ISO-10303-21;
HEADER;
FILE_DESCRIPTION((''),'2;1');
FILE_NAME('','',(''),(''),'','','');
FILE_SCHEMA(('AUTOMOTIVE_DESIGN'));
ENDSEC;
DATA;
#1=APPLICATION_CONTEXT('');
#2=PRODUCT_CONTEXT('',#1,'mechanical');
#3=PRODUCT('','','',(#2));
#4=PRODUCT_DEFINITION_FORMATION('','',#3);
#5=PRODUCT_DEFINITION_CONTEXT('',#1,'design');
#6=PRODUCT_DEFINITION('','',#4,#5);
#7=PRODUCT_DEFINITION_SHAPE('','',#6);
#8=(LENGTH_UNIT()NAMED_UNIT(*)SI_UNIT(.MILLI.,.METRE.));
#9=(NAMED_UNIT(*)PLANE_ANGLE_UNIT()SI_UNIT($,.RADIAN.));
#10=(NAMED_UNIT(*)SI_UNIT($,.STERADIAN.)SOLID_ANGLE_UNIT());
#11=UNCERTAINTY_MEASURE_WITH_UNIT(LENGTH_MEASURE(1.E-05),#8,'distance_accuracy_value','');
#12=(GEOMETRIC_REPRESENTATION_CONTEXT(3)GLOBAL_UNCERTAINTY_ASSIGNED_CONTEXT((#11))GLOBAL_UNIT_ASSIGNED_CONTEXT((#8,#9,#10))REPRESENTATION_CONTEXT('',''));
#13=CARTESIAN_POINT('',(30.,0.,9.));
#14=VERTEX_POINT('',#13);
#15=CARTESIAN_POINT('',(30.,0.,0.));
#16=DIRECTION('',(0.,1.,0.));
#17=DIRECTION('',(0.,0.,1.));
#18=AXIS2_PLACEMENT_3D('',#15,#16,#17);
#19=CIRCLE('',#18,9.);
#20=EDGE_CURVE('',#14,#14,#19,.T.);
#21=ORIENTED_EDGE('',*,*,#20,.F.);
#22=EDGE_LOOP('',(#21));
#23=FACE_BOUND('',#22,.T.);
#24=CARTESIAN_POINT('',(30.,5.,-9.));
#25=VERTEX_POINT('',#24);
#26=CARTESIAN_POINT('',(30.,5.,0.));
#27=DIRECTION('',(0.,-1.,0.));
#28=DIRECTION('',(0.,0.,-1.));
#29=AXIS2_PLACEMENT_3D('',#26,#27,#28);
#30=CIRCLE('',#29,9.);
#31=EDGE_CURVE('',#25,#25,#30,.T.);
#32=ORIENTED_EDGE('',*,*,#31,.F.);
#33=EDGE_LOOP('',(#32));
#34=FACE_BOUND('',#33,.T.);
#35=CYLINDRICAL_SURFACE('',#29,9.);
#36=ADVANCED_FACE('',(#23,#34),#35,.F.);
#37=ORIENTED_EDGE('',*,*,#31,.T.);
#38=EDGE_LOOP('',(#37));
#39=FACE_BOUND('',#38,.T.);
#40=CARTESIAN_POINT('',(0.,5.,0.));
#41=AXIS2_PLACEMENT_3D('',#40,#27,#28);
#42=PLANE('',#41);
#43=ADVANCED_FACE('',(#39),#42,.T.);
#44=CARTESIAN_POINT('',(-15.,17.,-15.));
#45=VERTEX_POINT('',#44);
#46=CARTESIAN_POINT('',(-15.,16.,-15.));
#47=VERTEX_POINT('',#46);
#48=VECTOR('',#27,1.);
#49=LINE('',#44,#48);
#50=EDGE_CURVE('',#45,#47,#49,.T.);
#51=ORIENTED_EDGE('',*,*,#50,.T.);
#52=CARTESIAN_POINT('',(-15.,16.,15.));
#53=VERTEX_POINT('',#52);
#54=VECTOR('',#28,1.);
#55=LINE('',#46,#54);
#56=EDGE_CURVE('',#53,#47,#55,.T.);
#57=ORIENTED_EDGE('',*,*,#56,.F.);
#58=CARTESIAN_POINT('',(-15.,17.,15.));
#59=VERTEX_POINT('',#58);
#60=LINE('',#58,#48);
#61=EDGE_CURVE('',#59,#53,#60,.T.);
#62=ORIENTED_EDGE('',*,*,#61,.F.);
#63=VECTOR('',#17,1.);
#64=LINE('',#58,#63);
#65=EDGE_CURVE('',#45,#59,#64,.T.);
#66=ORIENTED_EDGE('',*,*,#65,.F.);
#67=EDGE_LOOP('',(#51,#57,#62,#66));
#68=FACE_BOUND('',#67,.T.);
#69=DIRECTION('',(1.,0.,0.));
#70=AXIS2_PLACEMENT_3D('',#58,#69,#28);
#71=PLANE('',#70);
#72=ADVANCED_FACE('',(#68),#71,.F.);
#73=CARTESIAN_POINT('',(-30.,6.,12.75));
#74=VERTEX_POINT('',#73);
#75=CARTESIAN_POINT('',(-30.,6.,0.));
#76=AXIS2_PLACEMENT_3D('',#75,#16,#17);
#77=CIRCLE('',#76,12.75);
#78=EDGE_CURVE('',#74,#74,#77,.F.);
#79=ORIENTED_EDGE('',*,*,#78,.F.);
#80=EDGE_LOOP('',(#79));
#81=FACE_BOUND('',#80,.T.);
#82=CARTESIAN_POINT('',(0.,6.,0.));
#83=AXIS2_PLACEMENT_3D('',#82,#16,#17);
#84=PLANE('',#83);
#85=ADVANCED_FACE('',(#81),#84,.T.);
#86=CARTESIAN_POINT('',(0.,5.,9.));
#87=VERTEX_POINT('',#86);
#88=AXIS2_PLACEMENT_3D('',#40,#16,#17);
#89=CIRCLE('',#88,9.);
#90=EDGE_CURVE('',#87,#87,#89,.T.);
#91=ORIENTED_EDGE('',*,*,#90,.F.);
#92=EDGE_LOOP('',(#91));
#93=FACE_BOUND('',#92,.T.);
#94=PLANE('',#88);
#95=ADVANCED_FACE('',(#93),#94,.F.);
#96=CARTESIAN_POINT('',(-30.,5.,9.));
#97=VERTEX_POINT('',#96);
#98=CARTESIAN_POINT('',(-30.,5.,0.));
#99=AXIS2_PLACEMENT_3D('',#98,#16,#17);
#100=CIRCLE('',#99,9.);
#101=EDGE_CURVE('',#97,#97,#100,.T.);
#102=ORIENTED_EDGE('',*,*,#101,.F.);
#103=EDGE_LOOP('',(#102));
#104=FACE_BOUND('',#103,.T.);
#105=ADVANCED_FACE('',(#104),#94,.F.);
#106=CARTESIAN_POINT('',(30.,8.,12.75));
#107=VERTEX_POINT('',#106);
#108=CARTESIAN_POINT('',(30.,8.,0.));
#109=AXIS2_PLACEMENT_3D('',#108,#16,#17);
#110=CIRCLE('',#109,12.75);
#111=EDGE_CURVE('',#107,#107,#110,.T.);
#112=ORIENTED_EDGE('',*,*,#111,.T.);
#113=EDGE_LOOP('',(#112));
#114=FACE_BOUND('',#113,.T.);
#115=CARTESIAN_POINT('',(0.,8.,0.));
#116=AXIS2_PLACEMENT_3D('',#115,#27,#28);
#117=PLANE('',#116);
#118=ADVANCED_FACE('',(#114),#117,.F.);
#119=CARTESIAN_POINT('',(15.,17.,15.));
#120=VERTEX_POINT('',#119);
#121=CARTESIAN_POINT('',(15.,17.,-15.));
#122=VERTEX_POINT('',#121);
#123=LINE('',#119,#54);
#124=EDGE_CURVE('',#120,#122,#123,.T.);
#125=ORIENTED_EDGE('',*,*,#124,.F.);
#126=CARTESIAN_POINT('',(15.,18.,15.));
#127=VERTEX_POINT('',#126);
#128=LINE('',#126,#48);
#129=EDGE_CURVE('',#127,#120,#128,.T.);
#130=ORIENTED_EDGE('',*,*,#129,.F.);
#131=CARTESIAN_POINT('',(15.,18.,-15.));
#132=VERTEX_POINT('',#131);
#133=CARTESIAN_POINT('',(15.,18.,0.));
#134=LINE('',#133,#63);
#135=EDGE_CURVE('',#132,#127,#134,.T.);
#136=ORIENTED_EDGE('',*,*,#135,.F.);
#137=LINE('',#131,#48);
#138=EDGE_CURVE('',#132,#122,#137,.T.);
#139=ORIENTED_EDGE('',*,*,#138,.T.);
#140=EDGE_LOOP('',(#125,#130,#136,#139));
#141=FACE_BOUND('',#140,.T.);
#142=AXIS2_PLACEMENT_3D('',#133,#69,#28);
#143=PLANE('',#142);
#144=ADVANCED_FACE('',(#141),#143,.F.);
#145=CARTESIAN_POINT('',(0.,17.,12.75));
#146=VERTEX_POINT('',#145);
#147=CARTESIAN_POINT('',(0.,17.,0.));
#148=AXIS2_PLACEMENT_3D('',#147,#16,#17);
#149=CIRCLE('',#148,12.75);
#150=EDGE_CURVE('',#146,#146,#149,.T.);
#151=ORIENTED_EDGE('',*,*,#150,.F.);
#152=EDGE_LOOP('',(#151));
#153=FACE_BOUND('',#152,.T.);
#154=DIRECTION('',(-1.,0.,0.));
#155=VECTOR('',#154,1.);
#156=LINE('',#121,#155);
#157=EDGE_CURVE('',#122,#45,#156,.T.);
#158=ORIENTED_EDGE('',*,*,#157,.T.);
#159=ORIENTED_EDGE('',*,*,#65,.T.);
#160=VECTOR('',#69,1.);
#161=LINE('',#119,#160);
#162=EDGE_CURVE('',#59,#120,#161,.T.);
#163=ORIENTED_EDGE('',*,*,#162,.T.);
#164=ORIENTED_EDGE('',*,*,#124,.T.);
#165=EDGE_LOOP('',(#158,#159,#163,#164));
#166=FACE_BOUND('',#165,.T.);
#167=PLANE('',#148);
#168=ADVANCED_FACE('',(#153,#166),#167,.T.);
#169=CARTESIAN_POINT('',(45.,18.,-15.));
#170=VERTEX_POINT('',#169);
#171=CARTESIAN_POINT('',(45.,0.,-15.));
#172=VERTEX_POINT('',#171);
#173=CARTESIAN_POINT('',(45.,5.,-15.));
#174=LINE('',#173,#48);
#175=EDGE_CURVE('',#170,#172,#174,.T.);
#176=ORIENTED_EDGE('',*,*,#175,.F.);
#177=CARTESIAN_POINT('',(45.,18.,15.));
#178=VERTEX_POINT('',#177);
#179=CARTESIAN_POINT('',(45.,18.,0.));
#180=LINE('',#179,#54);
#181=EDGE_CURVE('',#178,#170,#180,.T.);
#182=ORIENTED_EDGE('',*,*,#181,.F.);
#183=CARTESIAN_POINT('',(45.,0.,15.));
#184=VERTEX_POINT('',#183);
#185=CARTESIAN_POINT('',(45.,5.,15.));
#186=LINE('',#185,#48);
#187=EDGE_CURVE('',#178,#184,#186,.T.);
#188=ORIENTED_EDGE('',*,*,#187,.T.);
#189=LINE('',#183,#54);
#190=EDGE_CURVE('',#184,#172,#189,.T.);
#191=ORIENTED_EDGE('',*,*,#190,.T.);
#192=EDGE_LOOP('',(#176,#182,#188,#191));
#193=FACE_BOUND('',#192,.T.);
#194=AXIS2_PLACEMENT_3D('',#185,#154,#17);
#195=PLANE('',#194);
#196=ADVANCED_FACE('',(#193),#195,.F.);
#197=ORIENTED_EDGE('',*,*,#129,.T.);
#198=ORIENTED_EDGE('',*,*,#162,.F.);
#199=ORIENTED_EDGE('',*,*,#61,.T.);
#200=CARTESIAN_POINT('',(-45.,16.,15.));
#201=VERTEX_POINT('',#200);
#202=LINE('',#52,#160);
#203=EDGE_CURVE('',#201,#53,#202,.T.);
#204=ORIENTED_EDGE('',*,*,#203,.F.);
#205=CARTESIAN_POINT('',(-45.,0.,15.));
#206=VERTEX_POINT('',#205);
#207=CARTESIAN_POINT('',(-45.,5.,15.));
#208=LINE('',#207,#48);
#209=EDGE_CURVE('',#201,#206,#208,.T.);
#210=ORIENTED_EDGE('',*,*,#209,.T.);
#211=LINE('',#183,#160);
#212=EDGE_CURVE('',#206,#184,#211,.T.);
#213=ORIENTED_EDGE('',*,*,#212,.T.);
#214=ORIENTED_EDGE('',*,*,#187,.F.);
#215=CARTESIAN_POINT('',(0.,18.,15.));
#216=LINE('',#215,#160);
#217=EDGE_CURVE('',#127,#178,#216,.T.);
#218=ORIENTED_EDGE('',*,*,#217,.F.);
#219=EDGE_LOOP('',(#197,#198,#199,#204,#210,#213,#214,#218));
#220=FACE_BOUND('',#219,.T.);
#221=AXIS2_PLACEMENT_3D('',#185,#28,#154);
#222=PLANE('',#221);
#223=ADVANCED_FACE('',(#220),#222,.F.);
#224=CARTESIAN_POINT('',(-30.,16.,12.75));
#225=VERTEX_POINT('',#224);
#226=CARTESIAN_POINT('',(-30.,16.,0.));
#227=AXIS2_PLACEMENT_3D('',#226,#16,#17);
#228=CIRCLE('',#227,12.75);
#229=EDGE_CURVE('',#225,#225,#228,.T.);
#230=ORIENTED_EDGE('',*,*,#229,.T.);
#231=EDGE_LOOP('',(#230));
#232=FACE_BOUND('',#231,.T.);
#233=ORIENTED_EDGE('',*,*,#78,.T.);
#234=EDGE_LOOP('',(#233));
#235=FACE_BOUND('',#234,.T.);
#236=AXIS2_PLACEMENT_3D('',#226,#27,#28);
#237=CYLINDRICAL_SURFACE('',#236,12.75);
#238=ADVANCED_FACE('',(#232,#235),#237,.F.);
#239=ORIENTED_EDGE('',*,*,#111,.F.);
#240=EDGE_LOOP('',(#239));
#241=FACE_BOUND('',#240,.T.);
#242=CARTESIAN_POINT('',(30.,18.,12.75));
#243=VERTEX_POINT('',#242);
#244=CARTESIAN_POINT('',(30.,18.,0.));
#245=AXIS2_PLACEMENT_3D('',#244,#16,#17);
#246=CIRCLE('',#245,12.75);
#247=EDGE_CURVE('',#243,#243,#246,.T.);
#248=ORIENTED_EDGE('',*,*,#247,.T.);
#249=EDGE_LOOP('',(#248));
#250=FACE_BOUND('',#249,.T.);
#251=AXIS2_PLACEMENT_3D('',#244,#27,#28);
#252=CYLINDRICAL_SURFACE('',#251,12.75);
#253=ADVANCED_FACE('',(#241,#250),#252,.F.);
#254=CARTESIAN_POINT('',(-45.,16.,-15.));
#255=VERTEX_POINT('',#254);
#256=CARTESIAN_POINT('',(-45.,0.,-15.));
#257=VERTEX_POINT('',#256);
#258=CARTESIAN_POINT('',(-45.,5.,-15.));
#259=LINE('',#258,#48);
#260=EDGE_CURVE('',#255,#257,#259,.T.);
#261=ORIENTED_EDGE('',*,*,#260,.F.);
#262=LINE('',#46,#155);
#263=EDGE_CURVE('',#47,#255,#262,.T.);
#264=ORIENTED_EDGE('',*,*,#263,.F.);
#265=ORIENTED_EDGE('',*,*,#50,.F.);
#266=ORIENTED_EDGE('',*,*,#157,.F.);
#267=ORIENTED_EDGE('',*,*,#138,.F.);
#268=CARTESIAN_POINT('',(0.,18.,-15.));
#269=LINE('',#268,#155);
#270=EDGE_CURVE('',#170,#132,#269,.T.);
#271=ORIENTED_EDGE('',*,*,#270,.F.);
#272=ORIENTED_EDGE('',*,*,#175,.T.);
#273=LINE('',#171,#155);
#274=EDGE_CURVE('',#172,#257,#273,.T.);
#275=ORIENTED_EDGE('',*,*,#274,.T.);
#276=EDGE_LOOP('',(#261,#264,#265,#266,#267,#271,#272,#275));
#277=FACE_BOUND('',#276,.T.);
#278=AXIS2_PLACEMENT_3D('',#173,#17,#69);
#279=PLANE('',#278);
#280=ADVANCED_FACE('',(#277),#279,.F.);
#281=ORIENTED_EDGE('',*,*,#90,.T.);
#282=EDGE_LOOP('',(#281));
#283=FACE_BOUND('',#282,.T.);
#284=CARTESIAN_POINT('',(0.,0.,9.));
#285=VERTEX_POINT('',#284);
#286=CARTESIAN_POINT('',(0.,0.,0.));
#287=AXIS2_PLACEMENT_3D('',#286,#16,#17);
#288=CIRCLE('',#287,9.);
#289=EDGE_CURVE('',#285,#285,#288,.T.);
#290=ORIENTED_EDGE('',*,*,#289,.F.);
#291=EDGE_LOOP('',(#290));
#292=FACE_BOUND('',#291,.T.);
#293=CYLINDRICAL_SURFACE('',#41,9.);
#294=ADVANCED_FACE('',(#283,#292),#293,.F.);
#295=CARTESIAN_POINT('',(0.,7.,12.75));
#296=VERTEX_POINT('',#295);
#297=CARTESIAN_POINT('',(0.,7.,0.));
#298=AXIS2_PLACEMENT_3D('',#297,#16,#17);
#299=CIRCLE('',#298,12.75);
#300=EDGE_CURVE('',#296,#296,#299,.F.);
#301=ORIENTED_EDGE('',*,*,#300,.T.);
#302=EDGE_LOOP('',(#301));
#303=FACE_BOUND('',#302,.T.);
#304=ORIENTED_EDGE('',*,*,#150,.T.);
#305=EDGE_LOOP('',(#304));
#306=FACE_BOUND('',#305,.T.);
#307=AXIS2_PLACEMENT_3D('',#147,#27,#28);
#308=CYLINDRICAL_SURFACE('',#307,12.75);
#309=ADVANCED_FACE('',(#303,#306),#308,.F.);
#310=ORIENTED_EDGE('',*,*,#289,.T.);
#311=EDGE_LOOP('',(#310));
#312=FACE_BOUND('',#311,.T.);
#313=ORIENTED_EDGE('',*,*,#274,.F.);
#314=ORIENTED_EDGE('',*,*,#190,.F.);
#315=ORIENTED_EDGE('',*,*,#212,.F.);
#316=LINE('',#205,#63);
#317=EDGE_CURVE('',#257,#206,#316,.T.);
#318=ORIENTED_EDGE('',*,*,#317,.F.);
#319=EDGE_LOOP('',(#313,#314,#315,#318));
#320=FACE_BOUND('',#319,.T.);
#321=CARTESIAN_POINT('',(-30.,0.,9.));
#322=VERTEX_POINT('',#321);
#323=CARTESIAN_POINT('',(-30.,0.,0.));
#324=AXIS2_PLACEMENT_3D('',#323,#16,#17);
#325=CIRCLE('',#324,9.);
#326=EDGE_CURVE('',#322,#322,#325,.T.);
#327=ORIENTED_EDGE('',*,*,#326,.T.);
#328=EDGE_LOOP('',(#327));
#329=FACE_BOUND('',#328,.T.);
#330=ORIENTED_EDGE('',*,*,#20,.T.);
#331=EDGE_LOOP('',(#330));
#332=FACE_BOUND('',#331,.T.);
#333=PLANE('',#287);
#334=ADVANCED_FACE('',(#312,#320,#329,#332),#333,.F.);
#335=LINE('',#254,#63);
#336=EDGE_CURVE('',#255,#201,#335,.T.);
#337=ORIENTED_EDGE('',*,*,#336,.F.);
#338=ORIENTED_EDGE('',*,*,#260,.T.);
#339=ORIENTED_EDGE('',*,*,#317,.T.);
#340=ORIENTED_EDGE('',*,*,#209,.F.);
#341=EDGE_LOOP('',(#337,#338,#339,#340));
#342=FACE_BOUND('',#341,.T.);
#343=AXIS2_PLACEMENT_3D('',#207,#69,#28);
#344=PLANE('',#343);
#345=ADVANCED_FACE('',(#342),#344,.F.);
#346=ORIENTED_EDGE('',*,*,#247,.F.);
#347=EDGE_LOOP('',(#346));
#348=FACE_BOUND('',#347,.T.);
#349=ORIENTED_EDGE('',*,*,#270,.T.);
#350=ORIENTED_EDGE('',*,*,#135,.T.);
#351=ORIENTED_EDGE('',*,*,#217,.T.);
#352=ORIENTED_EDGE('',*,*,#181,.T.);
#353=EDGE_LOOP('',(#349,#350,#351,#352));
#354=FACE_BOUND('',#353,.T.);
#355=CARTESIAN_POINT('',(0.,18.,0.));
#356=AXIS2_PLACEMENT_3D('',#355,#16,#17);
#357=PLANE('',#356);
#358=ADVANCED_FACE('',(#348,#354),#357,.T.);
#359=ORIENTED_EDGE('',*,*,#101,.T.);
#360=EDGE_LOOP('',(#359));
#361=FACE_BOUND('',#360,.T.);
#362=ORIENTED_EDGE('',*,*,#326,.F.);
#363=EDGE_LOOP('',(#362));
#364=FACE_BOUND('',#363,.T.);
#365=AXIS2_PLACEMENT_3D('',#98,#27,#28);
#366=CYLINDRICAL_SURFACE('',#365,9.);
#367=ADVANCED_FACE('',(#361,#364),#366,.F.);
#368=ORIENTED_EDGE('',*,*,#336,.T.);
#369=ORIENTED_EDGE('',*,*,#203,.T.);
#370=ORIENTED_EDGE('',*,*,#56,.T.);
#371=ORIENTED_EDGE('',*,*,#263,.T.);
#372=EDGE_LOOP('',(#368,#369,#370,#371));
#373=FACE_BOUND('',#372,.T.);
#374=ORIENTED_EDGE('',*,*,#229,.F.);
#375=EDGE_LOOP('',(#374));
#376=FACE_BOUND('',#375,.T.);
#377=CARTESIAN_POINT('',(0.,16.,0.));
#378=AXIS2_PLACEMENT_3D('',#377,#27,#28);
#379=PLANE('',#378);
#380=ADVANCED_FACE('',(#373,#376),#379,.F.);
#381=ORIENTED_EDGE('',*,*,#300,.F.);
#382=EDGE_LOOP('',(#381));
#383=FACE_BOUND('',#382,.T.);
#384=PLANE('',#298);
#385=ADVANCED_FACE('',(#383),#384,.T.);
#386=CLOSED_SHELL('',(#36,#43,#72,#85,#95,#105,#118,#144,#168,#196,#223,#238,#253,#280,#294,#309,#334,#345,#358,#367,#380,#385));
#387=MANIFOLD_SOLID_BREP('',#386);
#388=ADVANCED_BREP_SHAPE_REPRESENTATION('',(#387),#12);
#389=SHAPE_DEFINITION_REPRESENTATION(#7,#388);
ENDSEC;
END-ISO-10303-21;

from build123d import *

# Parameters (mm, degrees)
SKETCH1_W           = 90
SKETCH1_H           = 30
SKETCH1_R           = 9
BOSS_EXTRUDE1_DEPTH = 5
SKETCH2_W           = 30
SKETCH2_H           = 30
BOSS_EXTRUDE2_DEPTH = 1
SKETCH3_W           = 30
SKETCH3_H           = 30
BOSS_EXTRUDE3_DEPTH = 2
SKETCH4_W           = 30
SKETCH4_H           = 30
BOSS_EXTRUDE4_DEPTH = 3
SKETCH5_W           = 30
SKETCH5_H           = 30
SKETCH5_R           = 12.75
BOSS_EXTRUDE5_DEPTH = 10
SKETCH6_W           = 30
SKETCH6_H           = 30
SKETCH6_R           = 12.75
BOSS_EXTRUDE6_DEPTH = 10
SKETCH7_W           = 30
SKETCH7_H           = 30
SKETCH7_R           = 12.75
BOSS_EXTRUDE7_DEPTH = 10


with BuildPart() as part:
    # Sketch1 → Boss-Extrude1 (new body)
    with BuildSketch(Plane(origin=(0, 0, 0), x_dir=(1, 0, 0), z_dir=(0, 1, 0))):
        Rectangle(SKETCH1_W, SKETCH1_H)
        with Locations(Location((-30, 0, 0), (0, 0, 270))):
            Circle(SKETCH1_R, mode=Mode.SUBTRACT)
        with Locations(Location((0, 0, 0), (0, 0, 270))):
            Circle(SKETCH1_R, mode=Mode.SUBTRACT)
        with Locations(Location((30, 0, 0), (0, 0, 270))):
            Circle(SKETCH1_R, mode=Mode.SUBTRACT)
    extrude(amount=BOSS_EXTRUDE1_DEPTH)

    # Sketch2 → Boss-Extrude2 (add)
    with BuildSketch(Plane(origin=(0, 5, 0), x_dir=(1, 0, 0), z_dir=(0, 1, 0))):
        with Locations((-30, 0)):
            Rectangle(SKETCH2_W, SKETCH2_H)
    extrude(amount=BOSS_EXTRUDE2_DEPTH)

    # Sketch3 → Boss-Extrude3 (add)
    with BuildSketch(Plane(origin=(0, 5, 0), x_dir=(1, 0, 0), z_dir=(0, 1, 0))):
        Rectangle(SKETCH3_W, SKETCH3_H)
    extrude(amount=BOSS_EXTRUDE3_DEPTH)

    # Sketch4 → Boss-Extrude4 (add)
    with BuildSketch(Plane(origin=(0, 5, 0), x_dir=(1, 0, 0), z_dir=(0, 1, 0))):
        with Locations((30, 0)):
            Rectangle(SKETCH4_W, SKETCH4_H)
    extrude(amount=BOSS_EXTRUDE4_DEPTH)

    # Sketch5 → Boss-Extrude5 (add)
    with BuildSketch(Plane(origin=(0, 6, 0), x_dir=(1, 0, 0), z_dir=(0, 1, 0))):
        with Locations((-30, 0)):
            Rectangle(SKETCH5_W, SKETCH5_H)
        with Locations(Location((-30, 0, 0), (0, 0, 270))):
            Circle(SKETCH5_R, mode=Mode.SUBTRACT)
    extrude(amount=BOSS_EXTRUDE5_DEPTH)

    # Sketch6 → Boss-Extrude6 (add)
    with BuildSketch(Plane(origin=(0, 7, 0), x_dir=(1, 0, 0), z_dir=(0, 1, 0))):
        Rectangle(SKETCH6_W, SKETCH6_H)
        with Locations(Location((0, 0, 0), (0, 0, 270))):
            Circle(SKETCH6_R, mode=Mode.SUBTRACT)
    extrude(amount=BOSS_EXTRUDE6_DEPTH)

    # Sketch7 → Boss-Extrude7 (add)
    with BuildSketch(Plane(origin=(0, 8, 0), x_dir=(1, 0, 0), z_dir=(0, 1, 0))):
        with Locations((30, 0)):
            Rectangle(SKETCH7_W, SKETCH7_H)
        with Locations(Location((30, 0, 0), (0, 0, 270))):
            Circle(SKETCH7_R, mode=Mode.SUBTRACT)
    extrude(amount=BOSS_EXTRUDE7_DEPTH)


solid = part.part
